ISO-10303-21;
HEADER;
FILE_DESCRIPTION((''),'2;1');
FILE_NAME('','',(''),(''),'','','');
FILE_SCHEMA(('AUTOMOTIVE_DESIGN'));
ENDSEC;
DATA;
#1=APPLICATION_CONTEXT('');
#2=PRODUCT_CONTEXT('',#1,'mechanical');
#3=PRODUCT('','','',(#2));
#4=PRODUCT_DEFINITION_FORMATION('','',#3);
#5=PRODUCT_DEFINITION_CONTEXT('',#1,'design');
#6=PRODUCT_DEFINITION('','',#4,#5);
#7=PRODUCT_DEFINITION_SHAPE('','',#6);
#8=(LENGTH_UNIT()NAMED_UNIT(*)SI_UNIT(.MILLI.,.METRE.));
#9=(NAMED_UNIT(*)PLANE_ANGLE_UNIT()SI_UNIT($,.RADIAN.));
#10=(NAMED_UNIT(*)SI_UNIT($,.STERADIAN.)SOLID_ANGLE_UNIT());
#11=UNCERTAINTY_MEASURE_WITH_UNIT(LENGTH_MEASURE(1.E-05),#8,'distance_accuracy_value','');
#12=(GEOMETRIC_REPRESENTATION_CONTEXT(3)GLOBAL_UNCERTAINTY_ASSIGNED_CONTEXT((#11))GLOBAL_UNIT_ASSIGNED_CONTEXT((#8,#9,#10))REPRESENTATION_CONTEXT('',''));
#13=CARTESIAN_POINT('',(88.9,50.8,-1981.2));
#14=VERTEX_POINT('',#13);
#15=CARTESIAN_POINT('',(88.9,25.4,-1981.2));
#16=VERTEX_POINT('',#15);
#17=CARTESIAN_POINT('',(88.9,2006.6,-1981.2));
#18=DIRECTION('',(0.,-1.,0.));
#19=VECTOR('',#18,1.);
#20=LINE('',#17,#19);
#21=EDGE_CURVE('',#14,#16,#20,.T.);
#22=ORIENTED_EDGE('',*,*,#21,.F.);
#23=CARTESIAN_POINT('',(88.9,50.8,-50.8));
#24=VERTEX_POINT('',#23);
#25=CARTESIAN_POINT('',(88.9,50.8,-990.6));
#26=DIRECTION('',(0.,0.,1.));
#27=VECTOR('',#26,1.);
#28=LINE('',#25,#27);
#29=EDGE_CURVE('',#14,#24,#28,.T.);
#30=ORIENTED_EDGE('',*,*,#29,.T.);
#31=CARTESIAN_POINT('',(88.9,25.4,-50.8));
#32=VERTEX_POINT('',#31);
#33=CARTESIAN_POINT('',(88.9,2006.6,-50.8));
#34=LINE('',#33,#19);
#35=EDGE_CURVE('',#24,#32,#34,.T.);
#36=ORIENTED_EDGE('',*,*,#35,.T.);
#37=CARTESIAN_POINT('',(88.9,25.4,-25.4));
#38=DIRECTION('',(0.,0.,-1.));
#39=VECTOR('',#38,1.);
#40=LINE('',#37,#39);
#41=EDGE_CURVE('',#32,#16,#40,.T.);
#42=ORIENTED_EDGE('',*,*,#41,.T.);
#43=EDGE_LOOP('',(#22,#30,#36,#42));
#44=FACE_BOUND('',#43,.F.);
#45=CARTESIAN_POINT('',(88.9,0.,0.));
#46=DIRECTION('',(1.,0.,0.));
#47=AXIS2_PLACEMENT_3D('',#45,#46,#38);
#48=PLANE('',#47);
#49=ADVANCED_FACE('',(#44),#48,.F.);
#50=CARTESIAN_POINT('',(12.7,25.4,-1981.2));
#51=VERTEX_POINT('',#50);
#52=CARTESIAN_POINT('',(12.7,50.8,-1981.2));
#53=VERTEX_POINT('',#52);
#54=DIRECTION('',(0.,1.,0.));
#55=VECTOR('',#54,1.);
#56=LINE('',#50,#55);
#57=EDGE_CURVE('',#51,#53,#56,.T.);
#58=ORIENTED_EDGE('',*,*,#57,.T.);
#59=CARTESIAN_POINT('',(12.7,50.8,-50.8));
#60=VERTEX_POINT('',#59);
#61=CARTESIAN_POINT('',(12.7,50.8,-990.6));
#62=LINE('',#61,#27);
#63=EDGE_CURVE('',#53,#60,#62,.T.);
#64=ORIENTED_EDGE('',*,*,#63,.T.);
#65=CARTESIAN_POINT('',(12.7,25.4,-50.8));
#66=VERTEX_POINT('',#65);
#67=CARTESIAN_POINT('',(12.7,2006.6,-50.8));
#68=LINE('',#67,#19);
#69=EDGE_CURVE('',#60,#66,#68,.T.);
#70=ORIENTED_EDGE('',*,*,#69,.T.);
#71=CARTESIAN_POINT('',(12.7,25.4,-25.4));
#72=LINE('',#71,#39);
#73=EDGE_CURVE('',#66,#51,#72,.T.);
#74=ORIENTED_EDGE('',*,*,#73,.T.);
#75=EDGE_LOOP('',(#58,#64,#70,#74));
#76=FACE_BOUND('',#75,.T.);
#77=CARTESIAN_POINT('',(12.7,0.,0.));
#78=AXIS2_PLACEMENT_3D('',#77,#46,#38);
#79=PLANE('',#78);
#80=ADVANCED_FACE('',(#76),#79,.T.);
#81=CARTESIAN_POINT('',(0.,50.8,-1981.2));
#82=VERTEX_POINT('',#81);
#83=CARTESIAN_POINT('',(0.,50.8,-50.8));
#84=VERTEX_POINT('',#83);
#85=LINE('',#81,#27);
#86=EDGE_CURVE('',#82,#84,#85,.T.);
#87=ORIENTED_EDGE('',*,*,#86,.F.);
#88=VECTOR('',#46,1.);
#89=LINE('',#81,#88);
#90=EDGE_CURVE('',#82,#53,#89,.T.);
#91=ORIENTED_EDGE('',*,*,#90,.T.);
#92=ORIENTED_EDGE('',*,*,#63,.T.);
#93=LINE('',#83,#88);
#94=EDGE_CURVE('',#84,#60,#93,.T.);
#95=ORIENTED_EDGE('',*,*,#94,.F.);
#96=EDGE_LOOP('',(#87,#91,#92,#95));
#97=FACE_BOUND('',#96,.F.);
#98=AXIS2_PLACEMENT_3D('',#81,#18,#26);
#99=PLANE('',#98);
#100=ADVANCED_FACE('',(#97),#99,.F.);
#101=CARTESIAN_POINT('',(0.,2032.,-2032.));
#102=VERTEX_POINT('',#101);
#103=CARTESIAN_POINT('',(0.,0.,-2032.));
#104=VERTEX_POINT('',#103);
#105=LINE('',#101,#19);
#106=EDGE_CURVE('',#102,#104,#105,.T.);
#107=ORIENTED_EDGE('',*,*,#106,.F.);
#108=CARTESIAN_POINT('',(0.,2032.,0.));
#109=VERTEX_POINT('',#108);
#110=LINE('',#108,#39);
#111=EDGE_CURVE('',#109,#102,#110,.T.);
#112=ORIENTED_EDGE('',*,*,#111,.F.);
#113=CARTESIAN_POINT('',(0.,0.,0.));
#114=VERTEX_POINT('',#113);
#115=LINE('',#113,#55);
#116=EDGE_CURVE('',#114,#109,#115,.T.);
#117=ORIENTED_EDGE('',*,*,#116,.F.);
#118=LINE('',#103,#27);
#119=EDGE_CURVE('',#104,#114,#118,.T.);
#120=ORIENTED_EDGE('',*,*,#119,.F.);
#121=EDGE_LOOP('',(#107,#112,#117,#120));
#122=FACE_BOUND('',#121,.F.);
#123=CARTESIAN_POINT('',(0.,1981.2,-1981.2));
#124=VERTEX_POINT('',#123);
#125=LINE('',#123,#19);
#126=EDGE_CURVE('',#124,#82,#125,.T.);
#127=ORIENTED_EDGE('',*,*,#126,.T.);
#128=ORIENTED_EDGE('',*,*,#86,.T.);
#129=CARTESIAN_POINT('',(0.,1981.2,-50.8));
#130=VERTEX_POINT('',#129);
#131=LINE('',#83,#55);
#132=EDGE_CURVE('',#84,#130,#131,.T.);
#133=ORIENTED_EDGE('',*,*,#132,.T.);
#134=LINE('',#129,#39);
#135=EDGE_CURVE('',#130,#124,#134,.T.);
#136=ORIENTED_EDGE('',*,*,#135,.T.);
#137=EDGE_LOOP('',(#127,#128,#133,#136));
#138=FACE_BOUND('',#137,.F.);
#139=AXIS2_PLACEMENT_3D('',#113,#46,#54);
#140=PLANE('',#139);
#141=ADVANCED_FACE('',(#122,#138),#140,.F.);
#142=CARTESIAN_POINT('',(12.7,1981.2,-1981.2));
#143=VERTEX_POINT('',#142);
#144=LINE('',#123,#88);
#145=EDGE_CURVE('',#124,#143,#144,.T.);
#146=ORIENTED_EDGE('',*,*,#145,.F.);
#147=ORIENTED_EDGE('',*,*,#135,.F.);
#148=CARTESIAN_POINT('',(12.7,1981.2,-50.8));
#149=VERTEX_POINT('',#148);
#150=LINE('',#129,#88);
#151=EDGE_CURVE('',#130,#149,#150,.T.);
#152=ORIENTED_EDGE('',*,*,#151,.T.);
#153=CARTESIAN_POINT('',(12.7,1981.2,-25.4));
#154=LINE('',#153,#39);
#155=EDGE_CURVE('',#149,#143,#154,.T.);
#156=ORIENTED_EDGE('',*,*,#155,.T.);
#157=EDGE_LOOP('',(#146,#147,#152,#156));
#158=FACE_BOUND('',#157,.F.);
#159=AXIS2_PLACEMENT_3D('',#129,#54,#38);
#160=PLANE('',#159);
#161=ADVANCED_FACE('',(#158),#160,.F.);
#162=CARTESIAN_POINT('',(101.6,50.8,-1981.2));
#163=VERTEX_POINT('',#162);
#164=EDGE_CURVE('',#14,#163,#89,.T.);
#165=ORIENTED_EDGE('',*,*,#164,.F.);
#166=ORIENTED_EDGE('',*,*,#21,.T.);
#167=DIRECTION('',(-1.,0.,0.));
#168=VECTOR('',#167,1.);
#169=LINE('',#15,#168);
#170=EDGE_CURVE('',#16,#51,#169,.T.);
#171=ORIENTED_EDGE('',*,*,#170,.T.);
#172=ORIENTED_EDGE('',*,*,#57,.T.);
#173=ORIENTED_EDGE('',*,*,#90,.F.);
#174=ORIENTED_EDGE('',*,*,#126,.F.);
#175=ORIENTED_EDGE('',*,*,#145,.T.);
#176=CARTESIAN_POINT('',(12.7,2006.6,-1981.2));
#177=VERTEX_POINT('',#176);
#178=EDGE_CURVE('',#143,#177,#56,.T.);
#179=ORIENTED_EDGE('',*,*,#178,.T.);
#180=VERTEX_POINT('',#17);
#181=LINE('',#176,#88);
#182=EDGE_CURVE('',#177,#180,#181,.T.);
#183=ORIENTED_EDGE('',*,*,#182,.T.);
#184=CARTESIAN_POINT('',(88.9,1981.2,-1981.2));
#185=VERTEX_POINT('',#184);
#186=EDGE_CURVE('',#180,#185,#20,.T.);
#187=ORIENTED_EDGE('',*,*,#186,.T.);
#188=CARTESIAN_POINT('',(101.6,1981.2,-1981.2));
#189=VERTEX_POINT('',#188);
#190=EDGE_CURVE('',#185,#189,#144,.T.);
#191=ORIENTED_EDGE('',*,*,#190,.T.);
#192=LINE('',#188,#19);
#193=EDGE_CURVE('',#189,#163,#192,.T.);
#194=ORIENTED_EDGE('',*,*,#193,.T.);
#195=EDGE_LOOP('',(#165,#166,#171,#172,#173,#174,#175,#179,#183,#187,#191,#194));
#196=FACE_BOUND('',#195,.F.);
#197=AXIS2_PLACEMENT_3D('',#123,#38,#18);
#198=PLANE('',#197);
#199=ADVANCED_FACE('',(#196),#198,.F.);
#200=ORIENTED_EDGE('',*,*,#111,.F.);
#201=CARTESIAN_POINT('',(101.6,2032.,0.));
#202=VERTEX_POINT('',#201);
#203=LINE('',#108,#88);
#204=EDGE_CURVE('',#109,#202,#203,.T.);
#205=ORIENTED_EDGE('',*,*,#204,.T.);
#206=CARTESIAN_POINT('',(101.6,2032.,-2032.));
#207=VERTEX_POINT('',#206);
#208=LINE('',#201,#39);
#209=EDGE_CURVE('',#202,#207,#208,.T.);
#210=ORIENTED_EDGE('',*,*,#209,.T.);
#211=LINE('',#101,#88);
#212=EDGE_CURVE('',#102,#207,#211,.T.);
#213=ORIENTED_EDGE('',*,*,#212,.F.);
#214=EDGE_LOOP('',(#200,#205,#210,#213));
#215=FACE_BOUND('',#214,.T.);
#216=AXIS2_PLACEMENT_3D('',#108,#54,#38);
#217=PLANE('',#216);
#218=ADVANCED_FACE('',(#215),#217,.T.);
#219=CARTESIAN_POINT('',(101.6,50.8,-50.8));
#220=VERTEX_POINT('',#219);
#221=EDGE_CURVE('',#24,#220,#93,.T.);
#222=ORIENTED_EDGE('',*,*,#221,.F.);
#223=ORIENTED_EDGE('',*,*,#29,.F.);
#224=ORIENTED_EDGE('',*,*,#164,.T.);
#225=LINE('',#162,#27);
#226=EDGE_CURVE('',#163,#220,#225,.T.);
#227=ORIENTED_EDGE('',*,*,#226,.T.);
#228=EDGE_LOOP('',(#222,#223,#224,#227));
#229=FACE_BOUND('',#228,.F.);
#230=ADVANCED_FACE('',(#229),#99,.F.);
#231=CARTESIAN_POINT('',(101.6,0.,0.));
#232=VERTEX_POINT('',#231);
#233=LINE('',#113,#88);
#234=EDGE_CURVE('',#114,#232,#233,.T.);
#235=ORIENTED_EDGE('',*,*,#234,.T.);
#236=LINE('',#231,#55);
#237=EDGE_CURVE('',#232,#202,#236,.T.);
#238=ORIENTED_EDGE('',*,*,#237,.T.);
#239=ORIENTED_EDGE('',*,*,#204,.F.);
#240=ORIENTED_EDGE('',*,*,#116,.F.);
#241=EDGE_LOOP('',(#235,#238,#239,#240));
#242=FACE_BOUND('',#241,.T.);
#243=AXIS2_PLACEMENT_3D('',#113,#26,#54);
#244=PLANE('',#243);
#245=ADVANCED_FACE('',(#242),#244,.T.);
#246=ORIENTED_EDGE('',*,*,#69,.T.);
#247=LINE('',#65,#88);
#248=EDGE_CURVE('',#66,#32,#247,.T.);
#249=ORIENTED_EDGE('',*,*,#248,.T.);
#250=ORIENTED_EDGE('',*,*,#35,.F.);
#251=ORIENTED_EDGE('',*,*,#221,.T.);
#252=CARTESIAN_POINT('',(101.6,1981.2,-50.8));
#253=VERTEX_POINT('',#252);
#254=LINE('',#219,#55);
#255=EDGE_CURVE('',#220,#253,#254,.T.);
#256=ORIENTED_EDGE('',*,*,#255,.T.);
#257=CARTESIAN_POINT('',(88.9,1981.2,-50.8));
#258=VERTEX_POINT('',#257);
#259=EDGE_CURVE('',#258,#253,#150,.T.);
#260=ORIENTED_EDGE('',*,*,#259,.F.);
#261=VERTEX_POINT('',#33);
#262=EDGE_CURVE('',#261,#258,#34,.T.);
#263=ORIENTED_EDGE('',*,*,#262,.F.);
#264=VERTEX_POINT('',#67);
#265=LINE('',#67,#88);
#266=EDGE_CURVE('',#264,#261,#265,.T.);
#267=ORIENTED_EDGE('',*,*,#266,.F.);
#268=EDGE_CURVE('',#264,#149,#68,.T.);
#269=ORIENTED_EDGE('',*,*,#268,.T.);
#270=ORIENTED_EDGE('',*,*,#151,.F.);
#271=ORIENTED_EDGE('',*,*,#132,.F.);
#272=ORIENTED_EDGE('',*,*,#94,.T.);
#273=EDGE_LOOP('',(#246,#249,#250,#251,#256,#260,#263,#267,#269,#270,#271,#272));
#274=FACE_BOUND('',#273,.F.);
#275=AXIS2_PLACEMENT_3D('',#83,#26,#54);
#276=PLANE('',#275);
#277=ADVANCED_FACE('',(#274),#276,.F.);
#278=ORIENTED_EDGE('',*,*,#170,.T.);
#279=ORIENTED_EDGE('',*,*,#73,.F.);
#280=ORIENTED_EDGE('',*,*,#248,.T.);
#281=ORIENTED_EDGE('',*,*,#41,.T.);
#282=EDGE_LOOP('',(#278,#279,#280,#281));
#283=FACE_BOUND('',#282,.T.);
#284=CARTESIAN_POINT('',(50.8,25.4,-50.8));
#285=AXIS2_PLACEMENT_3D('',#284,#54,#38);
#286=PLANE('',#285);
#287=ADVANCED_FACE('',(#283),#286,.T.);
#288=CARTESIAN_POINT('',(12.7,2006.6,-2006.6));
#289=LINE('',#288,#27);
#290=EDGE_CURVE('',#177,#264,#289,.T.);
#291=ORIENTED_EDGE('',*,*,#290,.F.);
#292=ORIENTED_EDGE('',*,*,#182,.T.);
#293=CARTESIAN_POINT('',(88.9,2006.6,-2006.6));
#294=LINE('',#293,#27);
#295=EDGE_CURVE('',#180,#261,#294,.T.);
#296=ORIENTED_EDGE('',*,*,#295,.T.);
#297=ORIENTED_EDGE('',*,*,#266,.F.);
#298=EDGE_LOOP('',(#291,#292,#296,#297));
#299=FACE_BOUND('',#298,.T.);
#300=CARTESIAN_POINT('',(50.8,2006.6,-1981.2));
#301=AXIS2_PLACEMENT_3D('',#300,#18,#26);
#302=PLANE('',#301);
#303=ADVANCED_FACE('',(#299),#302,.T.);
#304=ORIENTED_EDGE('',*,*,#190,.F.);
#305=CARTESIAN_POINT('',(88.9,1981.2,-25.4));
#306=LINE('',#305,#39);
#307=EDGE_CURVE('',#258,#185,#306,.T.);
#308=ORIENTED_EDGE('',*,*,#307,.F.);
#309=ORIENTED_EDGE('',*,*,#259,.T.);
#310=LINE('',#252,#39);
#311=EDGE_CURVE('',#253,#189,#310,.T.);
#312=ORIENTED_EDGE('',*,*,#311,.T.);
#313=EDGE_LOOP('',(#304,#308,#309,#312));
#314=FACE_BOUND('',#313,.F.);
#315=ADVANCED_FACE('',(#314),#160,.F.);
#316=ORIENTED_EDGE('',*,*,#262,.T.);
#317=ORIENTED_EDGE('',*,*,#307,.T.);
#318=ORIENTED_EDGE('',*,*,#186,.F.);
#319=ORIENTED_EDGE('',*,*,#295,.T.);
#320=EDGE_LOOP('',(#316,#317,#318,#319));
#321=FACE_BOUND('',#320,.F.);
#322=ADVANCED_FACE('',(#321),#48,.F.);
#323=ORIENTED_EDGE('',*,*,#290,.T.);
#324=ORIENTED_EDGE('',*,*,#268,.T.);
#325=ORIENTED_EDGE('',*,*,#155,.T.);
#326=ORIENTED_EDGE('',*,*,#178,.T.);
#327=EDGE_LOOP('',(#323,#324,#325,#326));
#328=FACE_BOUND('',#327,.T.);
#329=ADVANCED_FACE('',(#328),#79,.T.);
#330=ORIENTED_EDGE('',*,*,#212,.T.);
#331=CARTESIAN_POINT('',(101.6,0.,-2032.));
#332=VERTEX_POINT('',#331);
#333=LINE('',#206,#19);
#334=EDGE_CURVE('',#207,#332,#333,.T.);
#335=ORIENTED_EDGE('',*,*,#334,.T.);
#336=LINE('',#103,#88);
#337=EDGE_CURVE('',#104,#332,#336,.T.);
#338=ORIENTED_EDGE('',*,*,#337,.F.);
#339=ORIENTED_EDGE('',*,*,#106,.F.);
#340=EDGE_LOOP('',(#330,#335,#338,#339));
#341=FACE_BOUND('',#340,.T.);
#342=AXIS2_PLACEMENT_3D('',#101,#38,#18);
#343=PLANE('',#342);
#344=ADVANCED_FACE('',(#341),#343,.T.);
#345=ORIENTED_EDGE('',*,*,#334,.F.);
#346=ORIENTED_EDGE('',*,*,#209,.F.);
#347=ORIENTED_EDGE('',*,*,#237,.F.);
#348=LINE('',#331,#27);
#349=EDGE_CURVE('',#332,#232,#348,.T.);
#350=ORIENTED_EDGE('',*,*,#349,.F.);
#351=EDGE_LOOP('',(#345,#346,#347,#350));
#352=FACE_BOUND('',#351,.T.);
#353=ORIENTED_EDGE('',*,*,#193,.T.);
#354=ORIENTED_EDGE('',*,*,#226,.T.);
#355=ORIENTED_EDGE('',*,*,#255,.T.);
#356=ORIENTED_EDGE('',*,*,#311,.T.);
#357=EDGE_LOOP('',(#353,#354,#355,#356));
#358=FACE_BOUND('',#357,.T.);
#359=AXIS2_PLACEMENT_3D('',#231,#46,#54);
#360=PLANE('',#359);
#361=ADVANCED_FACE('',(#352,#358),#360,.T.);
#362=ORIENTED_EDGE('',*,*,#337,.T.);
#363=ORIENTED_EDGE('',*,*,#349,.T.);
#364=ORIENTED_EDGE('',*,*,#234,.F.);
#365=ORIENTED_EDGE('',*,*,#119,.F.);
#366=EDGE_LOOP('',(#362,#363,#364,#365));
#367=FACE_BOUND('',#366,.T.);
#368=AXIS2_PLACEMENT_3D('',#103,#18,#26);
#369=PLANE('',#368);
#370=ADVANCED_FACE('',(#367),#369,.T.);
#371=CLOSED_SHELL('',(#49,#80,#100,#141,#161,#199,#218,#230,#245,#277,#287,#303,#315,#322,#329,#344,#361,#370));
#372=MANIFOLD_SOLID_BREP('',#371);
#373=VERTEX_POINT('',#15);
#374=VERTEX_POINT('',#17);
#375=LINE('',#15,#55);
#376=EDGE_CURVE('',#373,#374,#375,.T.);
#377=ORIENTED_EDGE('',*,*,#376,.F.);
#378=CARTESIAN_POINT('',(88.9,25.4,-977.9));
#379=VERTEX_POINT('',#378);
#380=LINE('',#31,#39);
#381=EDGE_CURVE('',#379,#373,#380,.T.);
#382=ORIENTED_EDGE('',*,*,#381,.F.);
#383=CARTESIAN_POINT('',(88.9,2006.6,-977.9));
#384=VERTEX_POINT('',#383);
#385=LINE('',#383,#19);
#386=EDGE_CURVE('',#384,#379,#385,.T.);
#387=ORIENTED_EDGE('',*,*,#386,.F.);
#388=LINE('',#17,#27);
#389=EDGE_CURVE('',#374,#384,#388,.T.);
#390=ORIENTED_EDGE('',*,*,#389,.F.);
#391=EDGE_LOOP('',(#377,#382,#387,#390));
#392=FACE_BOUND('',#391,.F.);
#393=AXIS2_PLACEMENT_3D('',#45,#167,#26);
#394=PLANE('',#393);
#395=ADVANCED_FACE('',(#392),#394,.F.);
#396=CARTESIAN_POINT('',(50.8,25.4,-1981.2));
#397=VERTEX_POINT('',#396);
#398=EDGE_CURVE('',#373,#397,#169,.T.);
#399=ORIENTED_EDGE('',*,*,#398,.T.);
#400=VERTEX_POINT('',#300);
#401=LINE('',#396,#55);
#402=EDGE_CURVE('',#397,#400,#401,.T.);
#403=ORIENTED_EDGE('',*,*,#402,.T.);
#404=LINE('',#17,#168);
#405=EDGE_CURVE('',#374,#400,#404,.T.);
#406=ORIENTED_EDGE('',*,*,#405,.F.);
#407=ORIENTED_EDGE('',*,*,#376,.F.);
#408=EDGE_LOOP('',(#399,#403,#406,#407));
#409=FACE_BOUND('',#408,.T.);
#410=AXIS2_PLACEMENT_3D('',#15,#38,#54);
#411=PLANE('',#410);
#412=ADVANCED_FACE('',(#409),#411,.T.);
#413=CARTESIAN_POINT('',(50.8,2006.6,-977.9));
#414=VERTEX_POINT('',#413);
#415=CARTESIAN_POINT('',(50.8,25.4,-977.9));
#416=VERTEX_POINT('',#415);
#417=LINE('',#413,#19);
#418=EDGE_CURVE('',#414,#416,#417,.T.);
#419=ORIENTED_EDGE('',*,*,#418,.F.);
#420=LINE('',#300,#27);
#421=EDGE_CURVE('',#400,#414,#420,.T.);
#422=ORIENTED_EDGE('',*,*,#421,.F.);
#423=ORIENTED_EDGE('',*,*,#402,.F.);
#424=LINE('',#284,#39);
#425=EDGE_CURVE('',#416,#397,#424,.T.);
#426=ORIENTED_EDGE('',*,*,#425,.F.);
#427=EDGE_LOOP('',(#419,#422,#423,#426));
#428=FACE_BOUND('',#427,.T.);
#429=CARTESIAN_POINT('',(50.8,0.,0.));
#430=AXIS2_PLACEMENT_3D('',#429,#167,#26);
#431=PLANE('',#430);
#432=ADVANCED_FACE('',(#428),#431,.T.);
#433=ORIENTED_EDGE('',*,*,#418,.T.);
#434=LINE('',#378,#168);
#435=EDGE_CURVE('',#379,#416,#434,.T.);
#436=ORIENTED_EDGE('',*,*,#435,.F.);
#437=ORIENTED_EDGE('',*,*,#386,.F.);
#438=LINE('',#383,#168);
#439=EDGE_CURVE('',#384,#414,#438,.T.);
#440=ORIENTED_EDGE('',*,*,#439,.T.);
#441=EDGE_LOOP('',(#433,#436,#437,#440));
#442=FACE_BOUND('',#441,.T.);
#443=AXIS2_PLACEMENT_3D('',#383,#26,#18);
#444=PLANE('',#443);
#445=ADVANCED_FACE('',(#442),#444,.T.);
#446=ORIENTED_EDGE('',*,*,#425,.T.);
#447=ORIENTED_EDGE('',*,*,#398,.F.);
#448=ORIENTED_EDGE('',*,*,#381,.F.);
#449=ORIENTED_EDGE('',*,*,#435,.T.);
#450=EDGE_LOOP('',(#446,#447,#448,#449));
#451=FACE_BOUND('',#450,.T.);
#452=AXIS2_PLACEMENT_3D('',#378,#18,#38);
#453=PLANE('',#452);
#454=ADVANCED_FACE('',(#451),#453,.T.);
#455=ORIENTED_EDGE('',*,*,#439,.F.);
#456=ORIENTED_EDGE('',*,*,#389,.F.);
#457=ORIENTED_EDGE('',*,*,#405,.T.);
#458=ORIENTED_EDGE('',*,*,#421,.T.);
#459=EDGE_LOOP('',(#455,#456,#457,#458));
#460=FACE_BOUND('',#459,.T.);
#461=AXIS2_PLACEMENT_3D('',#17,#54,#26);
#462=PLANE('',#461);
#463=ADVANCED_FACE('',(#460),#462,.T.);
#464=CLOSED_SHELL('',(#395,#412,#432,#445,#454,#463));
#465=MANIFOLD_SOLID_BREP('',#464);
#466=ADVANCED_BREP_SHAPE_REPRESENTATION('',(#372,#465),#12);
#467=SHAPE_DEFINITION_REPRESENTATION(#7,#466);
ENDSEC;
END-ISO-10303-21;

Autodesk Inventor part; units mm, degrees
ref_plane "YZ Plane" through (0, 0, 0) normal (1, 0, 0) x (0, 1, 0)
sketch "Sketch1" plane through (0, 0, 0) normal (1, 0, 0) x (0, 1, 0)
  line L0 (0, 0) -> (2032, 0)
  line L1 (2032, 0) -> (2032, -2032)
  line L2 (2032, -2032) -> (0, -2032)
  line L3 (0, -2032) -> (0, 0)
  line L4 (50.8, -50.8) -> (1981.2, -50.8)
  line L5 (1981.2, -50.8) -> (1981.2, -1981.2)
  line L6 (1981.2, -1981.2) -> (50.8, -1981.2)
  line L7 (50.8, -1981.2) -> (50.8, -50.8)
  point P0 (1981.2, -1016)
  point P1 (2032, -1016)
  point P2 (1016, -1981.2)
  point P3 (1016, -2032)
  dimension "d0" = 50.8
  dimension "d1" = 50.8
  dimension "d2" = 2032
  dimension "d3" = 2032
extrude "BaseFrame" add sketch "Sketch1" along normal blind 101.6
ref_plane "Work Plane1" through (50.8, 0, 0) normal (1, 0, 0) x (0, 0, -1)
sketch "Sketch2" plane through (50.8, 0, 0) normal (1, 0, 0) x (0, 0, -1)
  line L0 (0, 0) -> (0, 2032) construction
  line L1 (0, 2032) -> (2032, 2032) construction
  line L2 (2032, 2032) -> (2032, 0) construction
  line L3 (2032, 0) -> (0, 0) construction
  line L4 (2006.6, 2006.6) -> (25.4, 2006.6)
  line L5 (25.4, 2006.6) -> (25.4, 25.4) construction
  line L6 (25.4, 25.4) -> (2006.6, 25.4)
  line L7 (2006.6, 25.4) -> (2006.6, 2006.6) construction
  line L8 (1981.2, 50.8) -> (1981.2, 1981.2) projected
  line L9 (50.8, 1981.2) -> (50.8, 50.8) projected
  line L10 (50.8, 1981.2) -> (50.8, 2006.6)
  line L11 (1981.2, 1981.2) -> (1981.2, 2006.6)
  line L12 (1981.2, 50.8) -> (1981.2, 25.4)
  line L13 (50.8, 50.8) -> (50.8, 25.4)
  dimension "d6" = 25.4
extrude "DoorSlot" cut sketch "Sketch2" along normal mid plane 76.2
sketch "Sketch3" plane through (88.9, 0, 0) normal (-1, 0, 0) x (0, 0, 1)
  line L0 (-50.8, 25.4) -> (-1981.2, 25.4) projected
  line L1 (-1981.2, 2006.6) -> (-50.8, 2006.6) projected
  line L2 (-1981.2, 2006.6) -> (-977.9, 2006.6)
  line L3 (-977.9, 2006.6) -> (-977.9, 25.4)
  line L4 (-977.9, 25.4) -> (-1981.2, 25.4)
  line L5 (-1981.2, 25.4) -> (-1981.2, 2006.6)
  dimension "d9" = 1003.3
extrude "StationaryPanel" add sketch "Sketch3" along normal blind 38.1 separate body
ref_plane "Work Plane2" through (0, 0, -1016) normal (0, 0, 1) x (1, 0, 0)
mirror "MirrorRight" [suppressed]
mirror "MirrorRightExterior" [suppressed]
mirror "MirrorLeftExterior" [suppressed]
equation "\"d0\" = FrameWidth"
equation "\"d1\" = d0"
equation "\"d2\" = Width"
equation "\"d3\" = Height"
equation "\"d4\" = Depth"
equation "\"d6\" = 0.5 * FrameWidth"
equation "\"d7\" = 0.75 * Depth"
equation "\"d10\" = 0.375 * Depth"
equation "\"Width\" = 2032"
equation "\"Depth\" = 101.6"
equation "\"Height\" = 2032"
equation "\"FrameWidth\" = 50.8"
properties part number "AVADemo_SlidingDoorFrame"
